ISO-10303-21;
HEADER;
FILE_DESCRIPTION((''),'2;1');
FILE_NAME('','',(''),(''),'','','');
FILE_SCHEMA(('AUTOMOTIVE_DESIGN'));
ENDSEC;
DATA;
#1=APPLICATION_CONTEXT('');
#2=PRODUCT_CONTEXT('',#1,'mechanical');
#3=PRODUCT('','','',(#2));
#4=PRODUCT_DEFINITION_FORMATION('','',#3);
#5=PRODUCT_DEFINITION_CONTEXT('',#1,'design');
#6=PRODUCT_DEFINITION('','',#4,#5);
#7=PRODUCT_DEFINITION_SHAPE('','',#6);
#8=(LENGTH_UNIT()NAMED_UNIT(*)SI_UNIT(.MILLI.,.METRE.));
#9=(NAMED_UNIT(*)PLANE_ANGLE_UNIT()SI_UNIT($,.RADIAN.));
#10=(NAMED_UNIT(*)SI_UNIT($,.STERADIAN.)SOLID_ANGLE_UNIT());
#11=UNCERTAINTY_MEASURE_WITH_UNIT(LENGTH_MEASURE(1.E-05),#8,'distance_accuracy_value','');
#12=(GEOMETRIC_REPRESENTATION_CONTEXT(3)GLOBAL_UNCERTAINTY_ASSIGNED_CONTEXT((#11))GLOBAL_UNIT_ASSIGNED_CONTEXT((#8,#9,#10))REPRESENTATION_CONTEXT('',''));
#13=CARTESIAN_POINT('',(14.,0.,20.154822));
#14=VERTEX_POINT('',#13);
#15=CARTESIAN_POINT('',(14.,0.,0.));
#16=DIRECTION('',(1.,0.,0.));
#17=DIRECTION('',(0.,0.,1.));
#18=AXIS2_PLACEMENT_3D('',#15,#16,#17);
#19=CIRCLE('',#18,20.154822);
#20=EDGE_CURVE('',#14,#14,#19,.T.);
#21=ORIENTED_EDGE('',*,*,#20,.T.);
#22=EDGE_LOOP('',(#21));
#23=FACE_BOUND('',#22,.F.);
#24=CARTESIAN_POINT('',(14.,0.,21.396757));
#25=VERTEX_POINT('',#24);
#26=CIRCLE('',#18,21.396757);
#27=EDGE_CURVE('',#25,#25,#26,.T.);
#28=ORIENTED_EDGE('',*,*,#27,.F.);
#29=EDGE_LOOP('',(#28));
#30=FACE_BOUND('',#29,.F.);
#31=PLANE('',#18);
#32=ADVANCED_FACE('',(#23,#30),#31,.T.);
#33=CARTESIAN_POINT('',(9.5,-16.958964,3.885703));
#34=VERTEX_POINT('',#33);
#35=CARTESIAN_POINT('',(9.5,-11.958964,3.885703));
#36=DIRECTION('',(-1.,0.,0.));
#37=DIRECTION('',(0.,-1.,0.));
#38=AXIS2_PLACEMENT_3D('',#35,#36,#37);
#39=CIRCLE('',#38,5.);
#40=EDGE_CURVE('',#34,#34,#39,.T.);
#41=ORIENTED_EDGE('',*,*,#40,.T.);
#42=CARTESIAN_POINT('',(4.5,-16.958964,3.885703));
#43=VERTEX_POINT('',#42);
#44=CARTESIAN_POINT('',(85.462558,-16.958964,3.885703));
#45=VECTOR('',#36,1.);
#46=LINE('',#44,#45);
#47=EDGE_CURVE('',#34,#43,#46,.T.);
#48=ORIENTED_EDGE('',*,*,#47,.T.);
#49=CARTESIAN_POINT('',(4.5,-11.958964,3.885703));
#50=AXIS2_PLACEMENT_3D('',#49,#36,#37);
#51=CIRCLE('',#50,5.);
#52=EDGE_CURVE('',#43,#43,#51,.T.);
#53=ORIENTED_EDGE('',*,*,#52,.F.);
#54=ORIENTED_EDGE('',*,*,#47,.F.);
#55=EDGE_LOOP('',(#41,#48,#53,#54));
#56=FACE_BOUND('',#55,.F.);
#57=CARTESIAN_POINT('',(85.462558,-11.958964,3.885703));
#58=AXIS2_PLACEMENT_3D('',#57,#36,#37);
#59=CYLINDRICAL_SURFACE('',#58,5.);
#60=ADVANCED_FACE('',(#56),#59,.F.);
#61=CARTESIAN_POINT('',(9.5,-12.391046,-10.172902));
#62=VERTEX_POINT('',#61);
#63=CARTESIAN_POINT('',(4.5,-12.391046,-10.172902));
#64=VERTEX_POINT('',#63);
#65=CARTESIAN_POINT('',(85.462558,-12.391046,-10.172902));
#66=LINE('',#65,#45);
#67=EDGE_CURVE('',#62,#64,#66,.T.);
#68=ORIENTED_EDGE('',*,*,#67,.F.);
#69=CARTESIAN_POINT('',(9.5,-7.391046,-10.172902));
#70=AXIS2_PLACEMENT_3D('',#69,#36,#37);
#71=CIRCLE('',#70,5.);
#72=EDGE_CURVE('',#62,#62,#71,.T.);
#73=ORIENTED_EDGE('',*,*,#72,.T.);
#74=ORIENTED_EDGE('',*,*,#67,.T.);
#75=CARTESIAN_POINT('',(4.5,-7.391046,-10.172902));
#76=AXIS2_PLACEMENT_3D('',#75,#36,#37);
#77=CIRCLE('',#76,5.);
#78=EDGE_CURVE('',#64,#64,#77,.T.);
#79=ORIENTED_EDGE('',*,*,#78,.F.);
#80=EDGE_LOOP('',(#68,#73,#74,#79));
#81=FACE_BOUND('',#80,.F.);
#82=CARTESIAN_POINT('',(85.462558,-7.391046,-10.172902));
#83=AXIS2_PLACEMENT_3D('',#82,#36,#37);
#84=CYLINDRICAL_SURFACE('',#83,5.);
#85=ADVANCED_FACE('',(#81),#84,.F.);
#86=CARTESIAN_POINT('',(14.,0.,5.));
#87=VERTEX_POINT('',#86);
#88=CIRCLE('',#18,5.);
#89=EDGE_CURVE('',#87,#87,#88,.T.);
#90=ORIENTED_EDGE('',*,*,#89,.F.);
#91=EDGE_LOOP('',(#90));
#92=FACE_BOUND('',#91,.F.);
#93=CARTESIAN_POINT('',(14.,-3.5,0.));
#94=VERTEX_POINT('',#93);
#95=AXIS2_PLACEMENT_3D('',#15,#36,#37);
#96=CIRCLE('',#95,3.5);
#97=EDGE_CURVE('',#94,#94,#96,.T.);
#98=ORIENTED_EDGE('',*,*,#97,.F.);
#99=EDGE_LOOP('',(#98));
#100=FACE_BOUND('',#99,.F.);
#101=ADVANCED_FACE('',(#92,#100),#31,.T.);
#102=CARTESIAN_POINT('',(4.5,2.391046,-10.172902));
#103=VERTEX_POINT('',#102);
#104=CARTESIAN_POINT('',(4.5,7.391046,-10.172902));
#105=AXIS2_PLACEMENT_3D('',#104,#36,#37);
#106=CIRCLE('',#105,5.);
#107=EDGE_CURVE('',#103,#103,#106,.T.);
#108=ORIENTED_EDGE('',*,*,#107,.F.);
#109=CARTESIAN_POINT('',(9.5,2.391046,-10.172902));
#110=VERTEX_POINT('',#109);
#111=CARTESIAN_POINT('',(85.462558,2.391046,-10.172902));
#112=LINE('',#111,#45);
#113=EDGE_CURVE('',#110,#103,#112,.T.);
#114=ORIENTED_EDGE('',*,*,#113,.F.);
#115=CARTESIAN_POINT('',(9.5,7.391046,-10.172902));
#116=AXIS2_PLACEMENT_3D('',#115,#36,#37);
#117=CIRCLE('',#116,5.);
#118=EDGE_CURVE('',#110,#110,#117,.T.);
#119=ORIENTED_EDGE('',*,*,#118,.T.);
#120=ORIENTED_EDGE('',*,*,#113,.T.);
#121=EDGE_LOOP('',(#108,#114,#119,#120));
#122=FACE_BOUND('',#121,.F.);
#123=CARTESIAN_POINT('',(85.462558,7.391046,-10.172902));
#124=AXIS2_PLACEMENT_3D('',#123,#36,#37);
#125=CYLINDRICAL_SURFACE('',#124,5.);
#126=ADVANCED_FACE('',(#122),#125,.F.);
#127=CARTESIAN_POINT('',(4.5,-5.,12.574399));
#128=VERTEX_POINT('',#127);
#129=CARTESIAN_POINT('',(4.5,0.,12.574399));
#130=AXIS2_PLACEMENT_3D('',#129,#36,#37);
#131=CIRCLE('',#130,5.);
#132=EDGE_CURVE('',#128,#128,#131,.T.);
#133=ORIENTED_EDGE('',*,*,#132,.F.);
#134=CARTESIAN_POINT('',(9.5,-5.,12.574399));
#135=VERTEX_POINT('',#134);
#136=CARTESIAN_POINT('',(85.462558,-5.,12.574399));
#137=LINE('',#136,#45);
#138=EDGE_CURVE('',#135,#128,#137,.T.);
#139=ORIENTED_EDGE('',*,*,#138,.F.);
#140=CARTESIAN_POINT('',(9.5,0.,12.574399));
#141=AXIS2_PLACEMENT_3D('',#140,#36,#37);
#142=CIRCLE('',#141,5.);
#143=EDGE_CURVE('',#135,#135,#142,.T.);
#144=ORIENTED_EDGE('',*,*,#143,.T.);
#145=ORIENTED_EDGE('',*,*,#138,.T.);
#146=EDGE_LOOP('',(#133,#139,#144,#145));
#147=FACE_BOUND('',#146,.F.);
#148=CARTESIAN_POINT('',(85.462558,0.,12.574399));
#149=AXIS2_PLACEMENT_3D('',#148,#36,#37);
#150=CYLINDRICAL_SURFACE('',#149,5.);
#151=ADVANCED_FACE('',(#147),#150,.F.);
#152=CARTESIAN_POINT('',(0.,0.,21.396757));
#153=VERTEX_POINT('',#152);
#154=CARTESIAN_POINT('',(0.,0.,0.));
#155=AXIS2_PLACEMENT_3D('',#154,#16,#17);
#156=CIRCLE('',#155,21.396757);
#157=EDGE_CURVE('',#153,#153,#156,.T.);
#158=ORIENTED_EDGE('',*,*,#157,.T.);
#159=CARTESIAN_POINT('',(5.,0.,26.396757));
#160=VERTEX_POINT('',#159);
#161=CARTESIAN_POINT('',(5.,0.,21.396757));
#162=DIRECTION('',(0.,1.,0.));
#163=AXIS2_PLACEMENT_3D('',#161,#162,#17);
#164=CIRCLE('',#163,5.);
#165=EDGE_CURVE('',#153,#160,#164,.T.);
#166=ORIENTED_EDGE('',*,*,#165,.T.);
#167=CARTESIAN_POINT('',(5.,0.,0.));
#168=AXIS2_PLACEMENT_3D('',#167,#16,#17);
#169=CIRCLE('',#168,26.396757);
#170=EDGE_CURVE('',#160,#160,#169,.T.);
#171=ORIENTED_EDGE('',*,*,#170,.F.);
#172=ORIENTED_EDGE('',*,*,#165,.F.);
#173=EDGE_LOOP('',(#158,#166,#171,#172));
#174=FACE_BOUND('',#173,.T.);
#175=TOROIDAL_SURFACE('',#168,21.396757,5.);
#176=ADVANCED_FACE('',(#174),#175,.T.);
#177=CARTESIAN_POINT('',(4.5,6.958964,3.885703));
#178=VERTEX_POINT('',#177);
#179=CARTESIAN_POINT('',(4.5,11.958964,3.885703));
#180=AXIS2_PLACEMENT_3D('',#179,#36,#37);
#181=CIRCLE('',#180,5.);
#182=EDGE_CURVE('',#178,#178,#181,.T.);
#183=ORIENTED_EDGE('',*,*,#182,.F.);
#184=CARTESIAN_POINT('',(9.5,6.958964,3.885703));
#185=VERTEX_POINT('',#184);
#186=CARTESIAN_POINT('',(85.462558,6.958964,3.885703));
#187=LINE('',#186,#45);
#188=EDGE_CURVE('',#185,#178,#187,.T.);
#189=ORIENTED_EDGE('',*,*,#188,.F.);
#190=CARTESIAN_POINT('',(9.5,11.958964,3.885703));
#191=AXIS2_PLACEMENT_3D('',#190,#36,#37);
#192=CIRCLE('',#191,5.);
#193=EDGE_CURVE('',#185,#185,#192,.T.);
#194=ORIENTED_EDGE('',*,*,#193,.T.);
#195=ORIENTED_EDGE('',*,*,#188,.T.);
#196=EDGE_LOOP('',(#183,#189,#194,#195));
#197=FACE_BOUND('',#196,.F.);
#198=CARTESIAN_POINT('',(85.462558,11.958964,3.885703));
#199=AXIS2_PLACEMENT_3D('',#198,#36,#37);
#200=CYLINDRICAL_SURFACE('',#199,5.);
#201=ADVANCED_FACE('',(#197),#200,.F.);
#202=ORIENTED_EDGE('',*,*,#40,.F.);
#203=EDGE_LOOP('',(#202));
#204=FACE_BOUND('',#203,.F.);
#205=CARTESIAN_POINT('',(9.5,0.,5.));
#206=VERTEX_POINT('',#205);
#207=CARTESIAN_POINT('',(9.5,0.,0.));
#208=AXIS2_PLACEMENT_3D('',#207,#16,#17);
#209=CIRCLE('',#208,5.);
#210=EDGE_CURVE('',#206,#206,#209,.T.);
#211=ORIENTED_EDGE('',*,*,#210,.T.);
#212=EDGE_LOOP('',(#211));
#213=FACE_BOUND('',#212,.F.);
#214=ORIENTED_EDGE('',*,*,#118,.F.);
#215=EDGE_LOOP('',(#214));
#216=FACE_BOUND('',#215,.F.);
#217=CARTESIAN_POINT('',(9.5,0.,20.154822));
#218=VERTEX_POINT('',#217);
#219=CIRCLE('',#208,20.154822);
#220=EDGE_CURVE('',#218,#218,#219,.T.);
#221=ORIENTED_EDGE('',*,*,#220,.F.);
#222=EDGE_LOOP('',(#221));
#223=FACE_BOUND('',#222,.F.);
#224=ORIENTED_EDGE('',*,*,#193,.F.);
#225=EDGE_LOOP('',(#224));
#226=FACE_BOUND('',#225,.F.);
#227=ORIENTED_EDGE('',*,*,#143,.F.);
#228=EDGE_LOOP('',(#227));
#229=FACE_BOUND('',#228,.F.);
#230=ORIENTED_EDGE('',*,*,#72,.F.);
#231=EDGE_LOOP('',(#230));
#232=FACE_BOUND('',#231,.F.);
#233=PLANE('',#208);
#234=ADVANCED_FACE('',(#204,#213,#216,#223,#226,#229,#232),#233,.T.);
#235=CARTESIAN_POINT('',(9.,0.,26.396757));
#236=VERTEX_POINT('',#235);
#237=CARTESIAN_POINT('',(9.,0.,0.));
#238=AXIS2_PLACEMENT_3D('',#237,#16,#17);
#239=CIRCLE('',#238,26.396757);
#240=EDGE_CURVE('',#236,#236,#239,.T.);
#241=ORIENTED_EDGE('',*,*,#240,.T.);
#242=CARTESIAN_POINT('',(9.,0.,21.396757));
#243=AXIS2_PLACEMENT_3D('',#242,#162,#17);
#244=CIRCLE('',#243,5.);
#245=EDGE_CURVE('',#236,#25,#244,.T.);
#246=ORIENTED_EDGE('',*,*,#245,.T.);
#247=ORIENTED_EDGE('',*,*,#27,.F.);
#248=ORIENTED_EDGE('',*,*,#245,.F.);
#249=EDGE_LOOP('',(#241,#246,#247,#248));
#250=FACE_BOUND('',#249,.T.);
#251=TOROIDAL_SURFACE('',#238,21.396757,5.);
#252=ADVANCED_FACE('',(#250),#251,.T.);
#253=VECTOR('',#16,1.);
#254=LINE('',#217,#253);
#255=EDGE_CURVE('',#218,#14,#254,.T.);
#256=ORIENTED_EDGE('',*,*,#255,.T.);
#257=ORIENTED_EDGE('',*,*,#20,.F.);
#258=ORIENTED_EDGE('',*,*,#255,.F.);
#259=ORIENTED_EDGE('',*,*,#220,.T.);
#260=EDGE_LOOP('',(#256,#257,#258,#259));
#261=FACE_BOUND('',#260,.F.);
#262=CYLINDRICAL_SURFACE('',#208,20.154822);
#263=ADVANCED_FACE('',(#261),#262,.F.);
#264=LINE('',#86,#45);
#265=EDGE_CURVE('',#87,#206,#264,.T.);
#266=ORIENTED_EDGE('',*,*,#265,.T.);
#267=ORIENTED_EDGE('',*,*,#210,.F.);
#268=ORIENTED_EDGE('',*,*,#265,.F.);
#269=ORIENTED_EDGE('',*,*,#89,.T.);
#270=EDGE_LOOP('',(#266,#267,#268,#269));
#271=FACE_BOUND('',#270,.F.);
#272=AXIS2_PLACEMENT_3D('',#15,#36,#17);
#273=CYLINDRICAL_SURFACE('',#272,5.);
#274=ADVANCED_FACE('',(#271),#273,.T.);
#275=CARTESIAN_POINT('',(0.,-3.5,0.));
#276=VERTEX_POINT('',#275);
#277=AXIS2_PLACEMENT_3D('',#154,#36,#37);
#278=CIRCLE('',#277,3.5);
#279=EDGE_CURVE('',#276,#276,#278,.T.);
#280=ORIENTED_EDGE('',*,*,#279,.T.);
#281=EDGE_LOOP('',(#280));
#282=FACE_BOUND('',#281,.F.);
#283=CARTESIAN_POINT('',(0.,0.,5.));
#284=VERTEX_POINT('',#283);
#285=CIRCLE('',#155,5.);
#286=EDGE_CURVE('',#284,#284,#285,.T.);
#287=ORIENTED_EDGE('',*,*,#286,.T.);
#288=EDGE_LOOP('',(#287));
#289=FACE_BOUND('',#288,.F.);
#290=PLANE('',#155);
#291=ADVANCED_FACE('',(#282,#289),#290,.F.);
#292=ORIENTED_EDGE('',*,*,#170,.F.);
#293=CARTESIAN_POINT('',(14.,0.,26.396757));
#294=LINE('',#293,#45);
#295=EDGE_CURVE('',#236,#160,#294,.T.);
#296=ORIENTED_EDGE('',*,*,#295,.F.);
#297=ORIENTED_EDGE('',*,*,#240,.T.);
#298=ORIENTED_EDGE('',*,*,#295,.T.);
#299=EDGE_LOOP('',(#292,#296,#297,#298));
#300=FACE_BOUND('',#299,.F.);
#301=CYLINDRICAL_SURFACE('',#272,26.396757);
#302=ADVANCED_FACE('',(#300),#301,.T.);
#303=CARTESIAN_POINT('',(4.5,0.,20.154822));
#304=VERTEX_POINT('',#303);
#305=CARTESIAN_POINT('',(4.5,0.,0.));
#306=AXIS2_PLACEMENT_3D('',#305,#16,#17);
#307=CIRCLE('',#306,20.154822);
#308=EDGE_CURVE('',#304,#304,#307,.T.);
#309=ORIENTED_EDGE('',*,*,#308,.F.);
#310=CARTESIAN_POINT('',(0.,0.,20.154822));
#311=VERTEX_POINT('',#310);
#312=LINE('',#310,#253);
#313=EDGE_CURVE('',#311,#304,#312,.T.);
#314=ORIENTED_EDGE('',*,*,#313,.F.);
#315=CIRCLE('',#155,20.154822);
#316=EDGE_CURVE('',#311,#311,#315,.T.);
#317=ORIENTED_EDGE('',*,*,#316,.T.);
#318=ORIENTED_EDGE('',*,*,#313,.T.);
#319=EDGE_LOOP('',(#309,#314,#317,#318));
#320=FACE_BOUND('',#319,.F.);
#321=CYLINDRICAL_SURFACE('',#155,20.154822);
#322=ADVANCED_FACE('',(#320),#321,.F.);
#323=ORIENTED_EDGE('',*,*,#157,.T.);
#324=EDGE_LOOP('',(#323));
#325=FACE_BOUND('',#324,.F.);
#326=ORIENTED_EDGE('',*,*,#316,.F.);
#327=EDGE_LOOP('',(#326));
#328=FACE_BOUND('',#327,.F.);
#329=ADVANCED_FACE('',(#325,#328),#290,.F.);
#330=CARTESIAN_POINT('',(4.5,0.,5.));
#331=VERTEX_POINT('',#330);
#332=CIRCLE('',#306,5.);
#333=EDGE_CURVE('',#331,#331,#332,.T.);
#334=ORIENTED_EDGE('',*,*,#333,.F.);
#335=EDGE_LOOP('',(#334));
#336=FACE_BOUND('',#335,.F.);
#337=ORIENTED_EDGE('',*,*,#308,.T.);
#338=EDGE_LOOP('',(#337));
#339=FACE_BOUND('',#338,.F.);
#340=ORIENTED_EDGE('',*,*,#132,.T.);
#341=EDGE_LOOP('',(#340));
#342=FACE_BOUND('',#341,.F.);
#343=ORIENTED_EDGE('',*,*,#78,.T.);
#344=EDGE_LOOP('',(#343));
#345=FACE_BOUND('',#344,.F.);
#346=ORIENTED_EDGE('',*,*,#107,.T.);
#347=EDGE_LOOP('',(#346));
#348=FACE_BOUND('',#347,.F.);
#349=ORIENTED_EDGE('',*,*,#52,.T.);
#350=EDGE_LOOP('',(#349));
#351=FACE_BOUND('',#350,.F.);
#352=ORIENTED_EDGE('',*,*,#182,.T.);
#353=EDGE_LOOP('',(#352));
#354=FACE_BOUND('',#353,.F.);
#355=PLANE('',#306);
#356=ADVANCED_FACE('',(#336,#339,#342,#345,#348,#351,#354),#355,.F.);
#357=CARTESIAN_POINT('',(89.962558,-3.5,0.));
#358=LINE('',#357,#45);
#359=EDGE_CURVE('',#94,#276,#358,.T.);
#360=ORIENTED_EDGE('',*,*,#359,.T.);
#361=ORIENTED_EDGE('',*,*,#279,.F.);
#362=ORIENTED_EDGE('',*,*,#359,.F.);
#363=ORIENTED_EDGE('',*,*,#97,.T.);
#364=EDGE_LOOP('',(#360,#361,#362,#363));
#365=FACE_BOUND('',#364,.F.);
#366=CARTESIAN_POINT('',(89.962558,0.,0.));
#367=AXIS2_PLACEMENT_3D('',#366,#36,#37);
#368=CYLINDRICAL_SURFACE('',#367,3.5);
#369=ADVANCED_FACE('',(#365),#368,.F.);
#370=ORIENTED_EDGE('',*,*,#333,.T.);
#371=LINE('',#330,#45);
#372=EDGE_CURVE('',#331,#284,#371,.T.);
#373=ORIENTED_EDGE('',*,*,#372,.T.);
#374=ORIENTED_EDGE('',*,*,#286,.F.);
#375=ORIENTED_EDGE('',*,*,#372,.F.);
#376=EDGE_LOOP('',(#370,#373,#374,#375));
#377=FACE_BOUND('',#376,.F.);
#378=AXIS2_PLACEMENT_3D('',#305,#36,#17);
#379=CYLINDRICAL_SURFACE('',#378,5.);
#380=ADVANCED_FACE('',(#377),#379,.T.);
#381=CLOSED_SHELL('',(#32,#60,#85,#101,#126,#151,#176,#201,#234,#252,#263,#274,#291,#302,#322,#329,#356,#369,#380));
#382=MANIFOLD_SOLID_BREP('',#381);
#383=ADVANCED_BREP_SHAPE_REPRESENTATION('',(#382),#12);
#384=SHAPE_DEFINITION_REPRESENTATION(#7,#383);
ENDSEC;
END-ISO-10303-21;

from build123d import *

# Parameters (mm, degrees)
F3_D = 10
F4_R = 5
F6_D = 7


with BuildPart() as f1:
    # F0 (on Front) → F1 (revolve)
    with BuildSketch(Plane.XZ):
        Polygon((0, 5), (0, 0), (14, 0), (14, 5), (9.5, 5), (9.5, 20.154822), (14, 20.154822), (14, 26.396757), (0, 26.396757), (0, 20.154822), (4.5, 20.154822), (4.5, 5), align=None)
    revolve(axis=Axis((7, 0, 0), (1, 0, 0)))

    # F3 (through all)
    with Locations(Plane.YZ.offset(9.5)):
        with Locations((0, 12.574399), (-11.958964, 3.885703), (-7.391046, -10.172902), (7.391046, -10.172902), (11.958964, 3.885703)):
            Hole(F3_D / 2)

    # F4
    f4_edges = [f1.edges().sort_by_distance(p)[0] for p in [
        (14, 0, -26.396757),
        (0, 0, -26.396757),
    ]]
    fillet(f4_edges, radius=F4_R)

    # F6 (through all)
    with Locations(Plane.YZ.offset(14)):
        with Locations((0, 0)):
            Hole(F6_D / 2)


solid = f1.part
